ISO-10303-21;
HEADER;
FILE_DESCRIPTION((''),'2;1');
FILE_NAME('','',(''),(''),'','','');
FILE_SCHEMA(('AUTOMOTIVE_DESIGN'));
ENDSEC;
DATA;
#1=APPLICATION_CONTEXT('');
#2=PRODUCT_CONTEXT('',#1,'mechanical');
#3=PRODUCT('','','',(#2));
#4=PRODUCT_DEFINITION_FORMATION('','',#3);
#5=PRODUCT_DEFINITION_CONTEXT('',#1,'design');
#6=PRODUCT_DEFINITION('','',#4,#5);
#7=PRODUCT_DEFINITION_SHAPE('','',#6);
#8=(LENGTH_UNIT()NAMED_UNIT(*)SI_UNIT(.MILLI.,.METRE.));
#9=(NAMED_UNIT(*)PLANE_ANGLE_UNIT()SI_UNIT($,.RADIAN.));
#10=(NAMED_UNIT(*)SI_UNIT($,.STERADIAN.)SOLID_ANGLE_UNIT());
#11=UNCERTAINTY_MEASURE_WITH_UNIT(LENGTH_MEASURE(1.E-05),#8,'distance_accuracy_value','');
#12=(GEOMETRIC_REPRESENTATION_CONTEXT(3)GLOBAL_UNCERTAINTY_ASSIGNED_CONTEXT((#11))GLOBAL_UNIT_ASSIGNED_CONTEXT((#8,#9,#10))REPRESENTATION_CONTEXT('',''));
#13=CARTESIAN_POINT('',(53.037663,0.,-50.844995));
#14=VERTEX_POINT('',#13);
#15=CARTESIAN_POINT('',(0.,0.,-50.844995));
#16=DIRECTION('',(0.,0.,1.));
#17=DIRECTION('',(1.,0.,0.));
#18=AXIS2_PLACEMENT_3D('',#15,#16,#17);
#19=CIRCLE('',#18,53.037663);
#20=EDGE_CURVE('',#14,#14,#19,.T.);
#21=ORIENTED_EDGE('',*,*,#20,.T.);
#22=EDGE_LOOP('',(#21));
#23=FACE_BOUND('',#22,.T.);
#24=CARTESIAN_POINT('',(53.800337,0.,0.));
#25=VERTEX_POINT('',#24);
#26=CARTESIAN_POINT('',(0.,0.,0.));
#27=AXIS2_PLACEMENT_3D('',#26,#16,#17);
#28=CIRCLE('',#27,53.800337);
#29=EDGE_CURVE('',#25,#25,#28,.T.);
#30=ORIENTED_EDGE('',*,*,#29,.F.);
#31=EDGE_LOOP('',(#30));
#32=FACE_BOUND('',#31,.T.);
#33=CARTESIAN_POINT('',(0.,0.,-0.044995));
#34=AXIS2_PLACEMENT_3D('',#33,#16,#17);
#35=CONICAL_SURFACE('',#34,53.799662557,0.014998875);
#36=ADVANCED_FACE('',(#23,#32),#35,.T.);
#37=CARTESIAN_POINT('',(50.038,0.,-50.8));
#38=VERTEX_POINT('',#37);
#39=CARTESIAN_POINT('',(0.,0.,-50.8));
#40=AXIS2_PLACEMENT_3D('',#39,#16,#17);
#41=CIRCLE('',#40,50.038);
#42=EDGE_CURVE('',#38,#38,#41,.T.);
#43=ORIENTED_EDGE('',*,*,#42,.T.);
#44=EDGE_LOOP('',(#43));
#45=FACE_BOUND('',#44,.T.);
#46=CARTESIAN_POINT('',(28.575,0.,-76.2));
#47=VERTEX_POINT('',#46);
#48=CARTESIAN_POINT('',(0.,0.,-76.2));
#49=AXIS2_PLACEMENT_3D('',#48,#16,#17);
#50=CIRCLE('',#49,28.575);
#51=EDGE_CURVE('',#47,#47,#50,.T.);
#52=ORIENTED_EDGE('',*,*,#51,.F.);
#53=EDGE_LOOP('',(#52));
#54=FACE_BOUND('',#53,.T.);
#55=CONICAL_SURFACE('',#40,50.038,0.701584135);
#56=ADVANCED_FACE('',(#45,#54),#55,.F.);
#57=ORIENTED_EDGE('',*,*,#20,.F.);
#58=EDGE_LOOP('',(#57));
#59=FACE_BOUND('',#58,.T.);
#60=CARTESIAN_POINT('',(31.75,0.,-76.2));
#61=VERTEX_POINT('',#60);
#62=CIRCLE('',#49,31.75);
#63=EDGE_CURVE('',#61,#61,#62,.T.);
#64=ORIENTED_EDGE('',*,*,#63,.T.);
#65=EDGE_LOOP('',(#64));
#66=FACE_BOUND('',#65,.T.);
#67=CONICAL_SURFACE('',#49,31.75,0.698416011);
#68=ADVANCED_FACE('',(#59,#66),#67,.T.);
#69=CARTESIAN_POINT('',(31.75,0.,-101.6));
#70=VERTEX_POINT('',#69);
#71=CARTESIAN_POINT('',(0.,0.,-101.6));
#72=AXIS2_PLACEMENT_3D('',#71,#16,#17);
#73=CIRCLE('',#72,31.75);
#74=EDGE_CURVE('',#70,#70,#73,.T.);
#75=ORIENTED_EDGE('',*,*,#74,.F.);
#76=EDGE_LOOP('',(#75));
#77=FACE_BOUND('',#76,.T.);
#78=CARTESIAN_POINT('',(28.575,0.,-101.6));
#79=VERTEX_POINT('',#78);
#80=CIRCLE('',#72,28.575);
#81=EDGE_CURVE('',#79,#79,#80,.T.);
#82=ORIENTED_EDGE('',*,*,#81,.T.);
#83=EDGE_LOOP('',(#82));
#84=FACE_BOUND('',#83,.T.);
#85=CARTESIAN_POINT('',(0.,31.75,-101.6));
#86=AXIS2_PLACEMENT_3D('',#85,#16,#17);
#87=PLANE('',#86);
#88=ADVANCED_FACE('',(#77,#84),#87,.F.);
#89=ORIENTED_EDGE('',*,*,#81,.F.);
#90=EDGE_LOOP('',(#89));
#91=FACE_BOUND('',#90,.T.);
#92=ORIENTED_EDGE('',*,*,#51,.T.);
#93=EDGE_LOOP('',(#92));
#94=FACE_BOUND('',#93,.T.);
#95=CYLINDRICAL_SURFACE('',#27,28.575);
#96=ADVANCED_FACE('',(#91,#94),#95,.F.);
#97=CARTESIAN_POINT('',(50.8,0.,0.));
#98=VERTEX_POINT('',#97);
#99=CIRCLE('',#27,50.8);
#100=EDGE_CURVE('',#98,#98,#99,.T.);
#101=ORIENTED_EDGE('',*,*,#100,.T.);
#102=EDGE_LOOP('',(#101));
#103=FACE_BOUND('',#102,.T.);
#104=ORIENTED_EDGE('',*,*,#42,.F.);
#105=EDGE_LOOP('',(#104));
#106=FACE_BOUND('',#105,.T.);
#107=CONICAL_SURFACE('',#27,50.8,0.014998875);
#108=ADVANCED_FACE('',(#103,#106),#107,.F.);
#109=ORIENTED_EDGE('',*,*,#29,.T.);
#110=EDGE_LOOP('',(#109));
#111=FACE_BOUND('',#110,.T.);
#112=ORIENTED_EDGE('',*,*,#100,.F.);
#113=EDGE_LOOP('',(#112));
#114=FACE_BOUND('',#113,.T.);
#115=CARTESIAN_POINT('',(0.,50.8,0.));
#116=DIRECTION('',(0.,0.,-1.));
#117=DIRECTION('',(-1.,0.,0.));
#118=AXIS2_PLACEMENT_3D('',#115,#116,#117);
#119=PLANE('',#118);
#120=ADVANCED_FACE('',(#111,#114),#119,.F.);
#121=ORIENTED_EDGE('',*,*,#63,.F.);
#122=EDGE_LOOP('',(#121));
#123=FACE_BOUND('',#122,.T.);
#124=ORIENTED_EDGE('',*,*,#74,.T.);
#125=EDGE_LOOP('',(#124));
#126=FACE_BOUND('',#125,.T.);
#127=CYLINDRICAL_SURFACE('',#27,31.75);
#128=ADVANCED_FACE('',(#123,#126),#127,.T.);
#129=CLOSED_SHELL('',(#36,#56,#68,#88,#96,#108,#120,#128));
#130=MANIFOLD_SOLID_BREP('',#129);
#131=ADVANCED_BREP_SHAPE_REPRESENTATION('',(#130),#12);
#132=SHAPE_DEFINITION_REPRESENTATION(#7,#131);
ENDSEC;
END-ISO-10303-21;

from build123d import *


with BuildPart() as part:
    # Sketch3 → Revolve1 (revolve)
    with BuildSketch(Plane(origin=(0, 0, 0), x_dir=(0, 0, -1), z_dir=(1, 0, 0)), mode=Mode.PRIVATE) as revolve1_sk:
        Polygon((0, 50.8), (50.8, 50.038), (76.2, 28.575), (101.6, 28.575), (101.6, 31.75), (76.2, 31.75), (50.844994938, 53.037662557), (0.044994938, 53.799662557), (0, 53.800337481), align=None)
    revolve(revolve1_sk.sketch.rotate(Axis((0, 0, 0), (0, 0, -1)), 90), axis=Axis((0, 0, 0), (0, 0, -1)))


solid = part.part
